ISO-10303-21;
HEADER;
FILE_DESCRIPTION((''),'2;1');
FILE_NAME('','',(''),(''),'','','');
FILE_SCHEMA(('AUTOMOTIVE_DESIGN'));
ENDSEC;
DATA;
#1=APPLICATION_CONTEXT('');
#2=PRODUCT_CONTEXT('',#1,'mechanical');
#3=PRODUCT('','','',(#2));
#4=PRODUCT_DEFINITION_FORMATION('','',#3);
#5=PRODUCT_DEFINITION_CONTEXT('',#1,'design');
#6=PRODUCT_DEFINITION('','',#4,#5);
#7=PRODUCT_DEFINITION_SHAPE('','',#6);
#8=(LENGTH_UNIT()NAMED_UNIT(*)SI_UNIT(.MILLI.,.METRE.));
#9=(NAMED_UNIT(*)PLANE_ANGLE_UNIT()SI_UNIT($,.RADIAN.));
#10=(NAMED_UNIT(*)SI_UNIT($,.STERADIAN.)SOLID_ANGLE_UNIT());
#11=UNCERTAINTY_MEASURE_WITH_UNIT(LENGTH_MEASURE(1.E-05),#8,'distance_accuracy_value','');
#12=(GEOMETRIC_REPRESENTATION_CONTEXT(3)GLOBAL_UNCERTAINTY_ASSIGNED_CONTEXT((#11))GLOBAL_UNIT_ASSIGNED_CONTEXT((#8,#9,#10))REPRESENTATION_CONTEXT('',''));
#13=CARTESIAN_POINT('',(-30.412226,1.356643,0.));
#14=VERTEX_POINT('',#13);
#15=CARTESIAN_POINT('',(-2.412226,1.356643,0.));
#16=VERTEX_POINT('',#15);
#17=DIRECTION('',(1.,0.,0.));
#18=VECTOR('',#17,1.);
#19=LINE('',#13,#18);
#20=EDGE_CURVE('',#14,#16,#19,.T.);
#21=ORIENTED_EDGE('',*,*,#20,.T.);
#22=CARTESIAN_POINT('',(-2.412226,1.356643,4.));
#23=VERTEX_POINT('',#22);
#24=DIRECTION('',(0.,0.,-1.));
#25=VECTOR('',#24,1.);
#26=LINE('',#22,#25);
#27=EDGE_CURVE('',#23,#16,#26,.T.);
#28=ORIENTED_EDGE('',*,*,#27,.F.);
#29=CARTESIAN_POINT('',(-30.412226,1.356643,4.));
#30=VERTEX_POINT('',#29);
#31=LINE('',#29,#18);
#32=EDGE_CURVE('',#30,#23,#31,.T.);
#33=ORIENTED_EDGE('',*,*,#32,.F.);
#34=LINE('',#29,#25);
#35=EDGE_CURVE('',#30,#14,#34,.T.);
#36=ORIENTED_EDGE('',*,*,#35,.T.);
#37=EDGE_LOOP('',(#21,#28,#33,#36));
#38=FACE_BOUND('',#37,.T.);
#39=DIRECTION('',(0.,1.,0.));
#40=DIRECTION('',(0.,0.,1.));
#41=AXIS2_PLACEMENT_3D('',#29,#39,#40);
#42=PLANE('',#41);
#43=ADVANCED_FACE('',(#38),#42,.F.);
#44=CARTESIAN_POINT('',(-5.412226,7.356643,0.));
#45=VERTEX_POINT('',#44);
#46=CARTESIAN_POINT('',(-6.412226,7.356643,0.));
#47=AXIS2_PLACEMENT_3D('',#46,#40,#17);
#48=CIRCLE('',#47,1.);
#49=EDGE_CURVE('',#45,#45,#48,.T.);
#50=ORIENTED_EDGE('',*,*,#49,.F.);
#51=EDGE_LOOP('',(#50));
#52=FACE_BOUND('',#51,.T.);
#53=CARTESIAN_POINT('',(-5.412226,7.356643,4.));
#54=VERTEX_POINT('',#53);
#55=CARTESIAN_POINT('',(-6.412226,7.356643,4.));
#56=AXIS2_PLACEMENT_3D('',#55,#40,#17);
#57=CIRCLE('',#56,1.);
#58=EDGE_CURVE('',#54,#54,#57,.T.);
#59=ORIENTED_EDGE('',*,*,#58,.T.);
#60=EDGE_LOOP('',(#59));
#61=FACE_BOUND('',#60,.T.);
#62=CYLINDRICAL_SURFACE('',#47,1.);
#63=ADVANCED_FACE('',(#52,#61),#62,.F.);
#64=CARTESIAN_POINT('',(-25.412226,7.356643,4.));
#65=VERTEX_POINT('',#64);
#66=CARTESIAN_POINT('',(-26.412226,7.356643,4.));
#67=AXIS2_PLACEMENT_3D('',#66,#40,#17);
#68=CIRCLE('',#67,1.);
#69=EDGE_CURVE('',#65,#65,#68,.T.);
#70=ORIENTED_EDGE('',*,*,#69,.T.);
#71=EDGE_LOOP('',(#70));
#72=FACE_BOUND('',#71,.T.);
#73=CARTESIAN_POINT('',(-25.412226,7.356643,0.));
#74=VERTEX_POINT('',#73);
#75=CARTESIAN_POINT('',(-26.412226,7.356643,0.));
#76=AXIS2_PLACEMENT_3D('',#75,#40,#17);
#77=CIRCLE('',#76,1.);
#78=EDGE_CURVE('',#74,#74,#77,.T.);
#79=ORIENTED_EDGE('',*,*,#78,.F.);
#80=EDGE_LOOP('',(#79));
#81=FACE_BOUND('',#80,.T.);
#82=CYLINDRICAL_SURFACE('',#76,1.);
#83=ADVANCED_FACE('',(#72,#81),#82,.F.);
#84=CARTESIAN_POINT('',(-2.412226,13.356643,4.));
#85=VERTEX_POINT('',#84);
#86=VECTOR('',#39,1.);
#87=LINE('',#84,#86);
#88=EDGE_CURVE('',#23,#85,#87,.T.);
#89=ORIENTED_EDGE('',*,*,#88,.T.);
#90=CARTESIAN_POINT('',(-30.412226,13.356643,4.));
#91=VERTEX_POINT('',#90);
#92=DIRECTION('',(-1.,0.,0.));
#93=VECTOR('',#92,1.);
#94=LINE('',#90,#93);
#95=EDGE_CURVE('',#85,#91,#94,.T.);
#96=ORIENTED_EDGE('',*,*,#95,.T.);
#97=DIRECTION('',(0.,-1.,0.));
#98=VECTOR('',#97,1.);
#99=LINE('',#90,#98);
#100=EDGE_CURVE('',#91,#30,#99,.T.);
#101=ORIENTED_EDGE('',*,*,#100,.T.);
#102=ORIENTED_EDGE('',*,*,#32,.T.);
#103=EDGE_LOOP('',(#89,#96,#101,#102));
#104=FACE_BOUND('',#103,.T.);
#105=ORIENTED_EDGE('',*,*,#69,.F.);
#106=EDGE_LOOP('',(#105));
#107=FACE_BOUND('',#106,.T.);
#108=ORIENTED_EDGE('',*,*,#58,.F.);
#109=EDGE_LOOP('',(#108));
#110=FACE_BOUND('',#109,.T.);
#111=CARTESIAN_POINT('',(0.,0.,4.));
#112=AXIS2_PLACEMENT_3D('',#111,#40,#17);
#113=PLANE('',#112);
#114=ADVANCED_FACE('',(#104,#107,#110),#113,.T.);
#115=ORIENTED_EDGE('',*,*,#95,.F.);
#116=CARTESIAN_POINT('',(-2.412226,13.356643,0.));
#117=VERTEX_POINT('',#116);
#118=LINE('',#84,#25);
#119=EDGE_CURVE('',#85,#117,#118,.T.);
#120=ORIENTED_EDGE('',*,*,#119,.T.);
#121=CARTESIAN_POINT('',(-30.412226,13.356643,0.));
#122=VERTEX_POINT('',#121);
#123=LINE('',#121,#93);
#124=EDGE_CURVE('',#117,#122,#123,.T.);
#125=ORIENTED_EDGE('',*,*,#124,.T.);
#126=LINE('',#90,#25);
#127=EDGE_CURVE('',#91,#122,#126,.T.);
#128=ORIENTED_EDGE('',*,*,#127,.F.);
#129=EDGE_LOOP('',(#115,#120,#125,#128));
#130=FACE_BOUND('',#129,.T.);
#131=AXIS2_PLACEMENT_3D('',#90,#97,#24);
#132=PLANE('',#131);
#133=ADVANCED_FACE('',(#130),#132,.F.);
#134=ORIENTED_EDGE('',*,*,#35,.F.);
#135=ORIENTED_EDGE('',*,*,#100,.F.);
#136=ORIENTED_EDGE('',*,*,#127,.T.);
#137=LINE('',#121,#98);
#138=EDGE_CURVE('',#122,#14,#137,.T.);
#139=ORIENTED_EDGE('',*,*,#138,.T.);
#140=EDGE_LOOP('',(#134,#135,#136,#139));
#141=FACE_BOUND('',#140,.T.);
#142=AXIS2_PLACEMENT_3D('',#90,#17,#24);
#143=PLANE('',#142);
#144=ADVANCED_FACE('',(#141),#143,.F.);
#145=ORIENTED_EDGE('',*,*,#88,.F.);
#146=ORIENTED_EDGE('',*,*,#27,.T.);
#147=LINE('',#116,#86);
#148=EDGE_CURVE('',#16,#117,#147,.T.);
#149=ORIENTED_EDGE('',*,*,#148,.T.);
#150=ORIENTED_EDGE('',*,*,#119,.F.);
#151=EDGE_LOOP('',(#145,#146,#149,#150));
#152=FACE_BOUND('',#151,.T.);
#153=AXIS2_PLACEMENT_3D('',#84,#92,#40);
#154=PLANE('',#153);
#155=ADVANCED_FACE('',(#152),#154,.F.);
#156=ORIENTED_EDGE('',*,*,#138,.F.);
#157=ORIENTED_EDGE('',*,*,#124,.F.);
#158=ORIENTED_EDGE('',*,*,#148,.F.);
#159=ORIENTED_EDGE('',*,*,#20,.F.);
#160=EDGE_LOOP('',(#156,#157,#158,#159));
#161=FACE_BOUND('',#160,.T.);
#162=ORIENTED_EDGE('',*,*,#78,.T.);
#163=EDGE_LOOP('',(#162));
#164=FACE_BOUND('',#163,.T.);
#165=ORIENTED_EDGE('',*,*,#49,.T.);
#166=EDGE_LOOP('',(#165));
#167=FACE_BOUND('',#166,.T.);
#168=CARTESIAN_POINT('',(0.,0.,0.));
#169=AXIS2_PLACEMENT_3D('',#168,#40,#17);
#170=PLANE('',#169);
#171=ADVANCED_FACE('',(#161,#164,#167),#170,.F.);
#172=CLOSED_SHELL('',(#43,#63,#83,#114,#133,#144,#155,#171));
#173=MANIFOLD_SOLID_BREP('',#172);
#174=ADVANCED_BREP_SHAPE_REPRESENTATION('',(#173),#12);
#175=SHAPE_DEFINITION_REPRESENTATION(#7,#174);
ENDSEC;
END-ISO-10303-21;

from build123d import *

# Parameters (mm, degrees)
CROQUIS1_W              = 28
CROQUIS1_H              = 12
SALIENTE_EXTRUIR1_DEPTH = 4
CROQUIS2_R              = 1
CORTAR_EXTRUIR1_DEPTH   = 4


with BuildPart() as part:
    # Croquis1 → Saliente-Extruir1 (new body)
    with BuildSketch(Plane.XY):
        with Locations((-16.412225504, 7.356643357)):
            Rectangle(CROQUIS1_W, CROQUIS1_H)
    extrude(amount=SALIENTE_EXTRUIR1_DEPTH)

    # Croquis2 → Cortar-Extruir1 (cut)
    with BuildSketch(Plane.XY.offset(4)):
        with Locations((-26.412225504, 7.356643357)):
            Circle(CROQUIS2_R)
        with Locations((-6.412225504, 7.356643357)):
            Circle(CROQUIS2_R)
    extrude(amount=-CORTAR_EXTRUIR1_DEPTH, mode=Mode.SUBTRACT)


solid = part.part
